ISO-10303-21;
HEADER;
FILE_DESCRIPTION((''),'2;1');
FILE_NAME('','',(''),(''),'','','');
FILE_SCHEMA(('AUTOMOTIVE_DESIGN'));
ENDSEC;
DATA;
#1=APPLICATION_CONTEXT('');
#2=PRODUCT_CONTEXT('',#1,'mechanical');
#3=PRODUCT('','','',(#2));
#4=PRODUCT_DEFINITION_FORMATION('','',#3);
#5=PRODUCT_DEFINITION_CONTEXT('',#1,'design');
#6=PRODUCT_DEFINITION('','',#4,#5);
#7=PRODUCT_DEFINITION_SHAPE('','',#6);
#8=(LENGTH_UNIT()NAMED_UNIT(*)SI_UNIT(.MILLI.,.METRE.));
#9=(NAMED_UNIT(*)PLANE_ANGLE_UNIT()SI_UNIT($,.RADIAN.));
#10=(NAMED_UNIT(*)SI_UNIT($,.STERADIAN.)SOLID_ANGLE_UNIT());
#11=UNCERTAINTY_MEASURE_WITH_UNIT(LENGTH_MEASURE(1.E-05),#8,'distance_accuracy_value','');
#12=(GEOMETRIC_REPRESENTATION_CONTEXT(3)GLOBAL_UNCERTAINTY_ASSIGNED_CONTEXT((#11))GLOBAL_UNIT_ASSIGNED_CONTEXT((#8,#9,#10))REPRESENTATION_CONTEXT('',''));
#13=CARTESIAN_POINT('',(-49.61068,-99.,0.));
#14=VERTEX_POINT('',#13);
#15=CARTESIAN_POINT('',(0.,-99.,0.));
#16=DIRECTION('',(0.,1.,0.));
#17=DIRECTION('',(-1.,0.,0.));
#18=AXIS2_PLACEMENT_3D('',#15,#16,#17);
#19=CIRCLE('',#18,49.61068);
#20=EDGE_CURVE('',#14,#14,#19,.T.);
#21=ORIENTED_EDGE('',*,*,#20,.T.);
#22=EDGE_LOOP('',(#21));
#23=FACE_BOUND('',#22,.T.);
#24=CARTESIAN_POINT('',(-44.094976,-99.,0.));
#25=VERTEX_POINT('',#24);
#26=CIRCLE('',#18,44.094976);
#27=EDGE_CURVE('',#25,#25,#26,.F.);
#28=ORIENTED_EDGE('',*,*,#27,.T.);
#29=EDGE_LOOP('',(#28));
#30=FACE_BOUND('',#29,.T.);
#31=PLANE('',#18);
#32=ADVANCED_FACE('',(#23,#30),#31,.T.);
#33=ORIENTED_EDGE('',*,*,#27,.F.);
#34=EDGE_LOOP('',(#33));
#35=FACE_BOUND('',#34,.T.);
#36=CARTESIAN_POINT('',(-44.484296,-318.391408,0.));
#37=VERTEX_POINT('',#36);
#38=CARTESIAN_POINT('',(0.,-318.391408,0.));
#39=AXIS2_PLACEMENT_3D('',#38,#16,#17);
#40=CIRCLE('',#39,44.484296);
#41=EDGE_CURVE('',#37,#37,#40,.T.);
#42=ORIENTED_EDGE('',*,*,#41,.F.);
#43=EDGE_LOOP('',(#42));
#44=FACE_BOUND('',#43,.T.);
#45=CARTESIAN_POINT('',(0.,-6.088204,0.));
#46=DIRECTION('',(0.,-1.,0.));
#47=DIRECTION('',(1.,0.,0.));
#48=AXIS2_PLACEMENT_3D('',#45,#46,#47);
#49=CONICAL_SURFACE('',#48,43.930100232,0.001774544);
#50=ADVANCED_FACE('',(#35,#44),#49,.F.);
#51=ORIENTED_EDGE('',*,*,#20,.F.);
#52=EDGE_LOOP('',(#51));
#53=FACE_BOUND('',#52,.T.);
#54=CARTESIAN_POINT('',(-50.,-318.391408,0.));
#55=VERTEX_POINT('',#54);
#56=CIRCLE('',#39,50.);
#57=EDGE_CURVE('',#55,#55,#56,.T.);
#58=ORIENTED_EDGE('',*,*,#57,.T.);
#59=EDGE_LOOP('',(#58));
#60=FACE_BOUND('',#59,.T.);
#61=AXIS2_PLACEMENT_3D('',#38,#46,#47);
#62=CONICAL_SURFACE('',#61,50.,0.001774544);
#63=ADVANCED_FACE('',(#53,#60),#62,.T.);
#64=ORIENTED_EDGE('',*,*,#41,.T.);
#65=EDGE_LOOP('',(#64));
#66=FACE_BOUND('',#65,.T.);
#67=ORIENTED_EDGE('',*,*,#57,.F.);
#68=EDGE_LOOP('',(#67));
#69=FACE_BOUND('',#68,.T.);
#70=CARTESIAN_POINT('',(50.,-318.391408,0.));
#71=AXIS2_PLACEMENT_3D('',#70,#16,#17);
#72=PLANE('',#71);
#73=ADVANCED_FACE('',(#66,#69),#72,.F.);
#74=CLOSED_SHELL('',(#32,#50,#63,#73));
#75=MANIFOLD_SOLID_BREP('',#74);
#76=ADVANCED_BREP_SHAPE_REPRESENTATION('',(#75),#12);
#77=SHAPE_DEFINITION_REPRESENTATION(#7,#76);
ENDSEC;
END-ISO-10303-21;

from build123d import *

# Parameters (mm, degrees)
SKETCH2_R          = 88.424211621
CUT_EXTRUDE1_DEPTH = 99


with BuildPart() as part:
    # Sketch1 → Revolve1 (revolve)
    with BuildSketch(Plane.XY):
        Polygon((0, 0), (49.435, 0), (50, -318.391407512), (44.484296437, -318.391407512), (43.930100232, -6.088204487), (0, -6.088204487), align=None)
    revolve(axis=Axis((0, 0, 0), (0, -1, 0)))

    # Sketch2 → Cut-Extrude1 (cut)
    with BuildSketch(Plane(origin=(0, 0, 0), x_dir=(1, 0, 0), z_dir=(0, 1, 0))):
        Circle(SKETCH2_R)
    extrude(amount=-CUT_EXTRUDE1_DEPTH, mode=Mode.SUBTRACT)


solid = part.part
